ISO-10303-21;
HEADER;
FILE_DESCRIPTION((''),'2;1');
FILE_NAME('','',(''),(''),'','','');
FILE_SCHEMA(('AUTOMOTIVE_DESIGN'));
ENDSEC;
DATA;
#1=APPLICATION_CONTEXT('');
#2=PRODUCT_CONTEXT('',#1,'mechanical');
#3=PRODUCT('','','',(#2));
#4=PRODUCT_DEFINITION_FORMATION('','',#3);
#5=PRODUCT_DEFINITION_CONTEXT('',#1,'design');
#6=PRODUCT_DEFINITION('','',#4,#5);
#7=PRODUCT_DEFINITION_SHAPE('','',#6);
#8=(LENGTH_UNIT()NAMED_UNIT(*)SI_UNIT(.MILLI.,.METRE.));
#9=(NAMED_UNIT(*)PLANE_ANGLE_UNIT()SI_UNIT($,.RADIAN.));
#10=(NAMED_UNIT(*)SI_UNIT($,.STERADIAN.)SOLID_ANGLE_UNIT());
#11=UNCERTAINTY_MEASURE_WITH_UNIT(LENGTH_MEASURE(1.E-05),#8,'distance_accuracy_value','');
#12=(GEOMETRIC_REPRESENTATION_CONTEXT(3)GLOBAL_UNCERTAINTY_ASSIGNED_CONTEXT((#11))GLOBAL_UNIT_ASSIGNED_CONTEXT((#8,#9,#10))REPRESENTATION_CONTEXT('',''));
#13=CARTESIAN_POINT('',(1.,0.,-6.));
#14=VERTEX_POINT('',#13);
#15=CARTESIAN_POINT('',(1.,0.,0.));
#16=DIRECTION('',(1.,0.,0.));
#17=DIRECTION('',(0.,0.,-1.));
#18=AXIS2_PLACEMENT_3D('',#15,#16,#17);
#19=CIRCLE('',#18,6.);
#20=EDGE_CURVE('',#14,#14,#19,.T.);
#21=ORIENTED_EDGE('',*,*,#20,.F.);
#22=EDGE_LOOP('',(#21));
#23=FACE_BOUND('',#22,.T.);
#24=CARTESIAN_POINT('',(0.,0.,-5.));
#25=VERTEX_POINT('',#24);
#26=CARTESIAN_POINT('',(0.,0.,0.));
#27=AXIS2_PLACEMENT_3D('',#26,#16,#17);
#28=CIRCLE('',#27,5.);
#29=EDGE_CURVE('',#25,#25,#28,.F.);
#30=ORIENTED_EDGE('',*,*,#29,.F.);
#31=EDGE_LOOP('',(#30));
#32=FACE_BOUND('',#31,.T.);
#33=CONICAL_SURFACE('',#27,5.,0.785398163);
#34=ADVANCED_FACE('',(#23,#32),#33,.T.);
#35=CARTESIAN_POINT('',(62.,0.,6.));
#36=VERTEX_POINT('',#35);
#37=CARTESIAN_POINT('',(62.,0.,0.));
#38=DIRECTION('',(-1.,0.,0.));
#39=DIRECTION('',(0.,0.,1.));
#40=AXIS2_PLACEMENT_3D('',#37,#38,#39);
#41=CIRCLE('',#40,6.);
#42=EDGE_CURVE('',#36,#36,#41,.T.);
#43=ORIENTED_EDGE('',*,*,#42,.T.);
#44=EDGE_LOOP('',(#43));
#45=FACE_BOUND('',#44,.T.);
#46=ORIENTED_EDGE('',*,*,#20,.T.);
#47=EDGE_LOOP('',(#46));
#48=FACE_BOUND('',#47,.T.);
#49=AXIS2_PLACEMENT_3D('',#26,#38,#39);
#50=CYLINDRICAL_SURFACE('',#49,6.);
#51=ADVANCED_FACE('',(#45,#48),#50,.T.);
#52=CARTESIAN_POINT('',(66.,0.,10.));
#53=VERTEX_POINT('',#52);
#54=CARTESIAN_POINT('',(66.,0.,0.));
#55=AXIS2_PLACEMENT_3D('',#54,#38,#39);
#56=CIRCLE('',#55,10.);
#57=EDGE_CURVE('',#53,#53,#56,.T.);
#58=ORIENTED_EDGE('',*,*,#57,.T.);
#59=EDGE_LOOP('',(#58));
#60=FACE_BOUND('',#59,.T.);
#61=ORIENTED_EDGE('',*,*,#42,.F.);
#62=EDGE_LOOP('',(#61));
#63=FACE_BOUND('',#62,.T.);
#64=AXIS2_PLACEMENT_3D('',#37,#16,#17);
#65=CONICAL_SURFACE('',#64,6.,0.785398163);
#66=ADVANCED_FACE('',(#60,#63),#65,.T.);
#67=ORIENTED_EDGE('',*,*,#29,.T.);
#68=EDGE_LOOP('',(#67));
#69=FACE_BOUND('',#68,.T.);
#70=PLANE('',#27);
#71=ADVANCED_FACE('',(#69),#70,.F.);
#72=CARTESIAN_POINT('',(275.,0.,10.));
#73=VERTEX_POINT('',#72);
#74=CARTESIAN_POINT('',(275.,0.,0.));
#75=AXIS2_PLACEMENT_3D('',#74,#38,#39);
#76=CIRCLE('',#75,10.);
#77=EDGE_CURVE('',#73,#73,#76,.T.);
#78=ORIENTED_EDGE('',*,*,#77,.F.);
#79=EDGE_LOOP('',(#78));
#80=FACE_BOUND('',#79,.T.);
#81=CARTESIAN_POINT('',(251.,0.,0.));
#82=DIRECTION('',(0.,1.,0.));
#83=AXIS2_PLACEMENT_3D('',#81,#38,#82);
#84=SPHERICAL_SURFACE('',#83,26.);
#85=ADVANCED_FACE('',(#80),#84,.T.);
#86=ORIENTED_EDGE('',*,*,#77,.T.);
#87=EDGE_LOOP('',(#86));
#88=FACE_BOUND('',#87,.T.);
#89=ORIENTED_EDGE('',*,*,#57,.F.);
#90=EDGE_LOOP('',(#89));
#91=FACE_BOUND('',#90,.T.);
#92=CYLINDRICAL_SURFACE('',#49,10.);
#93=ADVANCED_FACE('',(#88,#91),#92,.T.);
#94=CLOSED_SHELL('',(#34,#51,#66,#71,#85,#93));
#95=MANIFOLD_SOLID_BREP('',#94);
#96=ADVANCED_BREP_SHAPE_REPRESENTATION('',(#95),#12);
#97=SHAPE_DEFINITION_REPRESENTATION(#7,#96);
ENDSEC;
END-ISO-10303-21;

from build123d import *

# Parameters (mm, degrees)
CHAMFER1_SIZE = 1


with BuildPart() as part:
    # Sketch1 → Revolve1 (revolve)
    with BuildSketch(Plane.XY, mode=Mode.PRIVATE) as revolve1_sk:
        Polygon((0, 6), (0, 0), (275, 0), (275, 10), (66, 10), (62, 6), align=None)
        with BuildLine():
            Line((275, 10), (275, 0))
            Line((275, 0), (277, 0))
            ThreePointArc((277, 0), (276.495097568, 5.099019514), (275, 10))
        make_face()
    revolve(revolve1_sk.sketch.rotate(Axis((0, 0, 0), (1, 0, 0)), 90), axis=Axis((0, 0, 0), (1, 0, 0)))

    # Chamfer1
    chamfer1_edges = [part.edges().sort_by_distance(p)[0] for p in [
        (0, 0, -6),
    ]]
    chamfer(chamfer1_edges, length=CHAMFER1_SIZE)


solid = part.part
